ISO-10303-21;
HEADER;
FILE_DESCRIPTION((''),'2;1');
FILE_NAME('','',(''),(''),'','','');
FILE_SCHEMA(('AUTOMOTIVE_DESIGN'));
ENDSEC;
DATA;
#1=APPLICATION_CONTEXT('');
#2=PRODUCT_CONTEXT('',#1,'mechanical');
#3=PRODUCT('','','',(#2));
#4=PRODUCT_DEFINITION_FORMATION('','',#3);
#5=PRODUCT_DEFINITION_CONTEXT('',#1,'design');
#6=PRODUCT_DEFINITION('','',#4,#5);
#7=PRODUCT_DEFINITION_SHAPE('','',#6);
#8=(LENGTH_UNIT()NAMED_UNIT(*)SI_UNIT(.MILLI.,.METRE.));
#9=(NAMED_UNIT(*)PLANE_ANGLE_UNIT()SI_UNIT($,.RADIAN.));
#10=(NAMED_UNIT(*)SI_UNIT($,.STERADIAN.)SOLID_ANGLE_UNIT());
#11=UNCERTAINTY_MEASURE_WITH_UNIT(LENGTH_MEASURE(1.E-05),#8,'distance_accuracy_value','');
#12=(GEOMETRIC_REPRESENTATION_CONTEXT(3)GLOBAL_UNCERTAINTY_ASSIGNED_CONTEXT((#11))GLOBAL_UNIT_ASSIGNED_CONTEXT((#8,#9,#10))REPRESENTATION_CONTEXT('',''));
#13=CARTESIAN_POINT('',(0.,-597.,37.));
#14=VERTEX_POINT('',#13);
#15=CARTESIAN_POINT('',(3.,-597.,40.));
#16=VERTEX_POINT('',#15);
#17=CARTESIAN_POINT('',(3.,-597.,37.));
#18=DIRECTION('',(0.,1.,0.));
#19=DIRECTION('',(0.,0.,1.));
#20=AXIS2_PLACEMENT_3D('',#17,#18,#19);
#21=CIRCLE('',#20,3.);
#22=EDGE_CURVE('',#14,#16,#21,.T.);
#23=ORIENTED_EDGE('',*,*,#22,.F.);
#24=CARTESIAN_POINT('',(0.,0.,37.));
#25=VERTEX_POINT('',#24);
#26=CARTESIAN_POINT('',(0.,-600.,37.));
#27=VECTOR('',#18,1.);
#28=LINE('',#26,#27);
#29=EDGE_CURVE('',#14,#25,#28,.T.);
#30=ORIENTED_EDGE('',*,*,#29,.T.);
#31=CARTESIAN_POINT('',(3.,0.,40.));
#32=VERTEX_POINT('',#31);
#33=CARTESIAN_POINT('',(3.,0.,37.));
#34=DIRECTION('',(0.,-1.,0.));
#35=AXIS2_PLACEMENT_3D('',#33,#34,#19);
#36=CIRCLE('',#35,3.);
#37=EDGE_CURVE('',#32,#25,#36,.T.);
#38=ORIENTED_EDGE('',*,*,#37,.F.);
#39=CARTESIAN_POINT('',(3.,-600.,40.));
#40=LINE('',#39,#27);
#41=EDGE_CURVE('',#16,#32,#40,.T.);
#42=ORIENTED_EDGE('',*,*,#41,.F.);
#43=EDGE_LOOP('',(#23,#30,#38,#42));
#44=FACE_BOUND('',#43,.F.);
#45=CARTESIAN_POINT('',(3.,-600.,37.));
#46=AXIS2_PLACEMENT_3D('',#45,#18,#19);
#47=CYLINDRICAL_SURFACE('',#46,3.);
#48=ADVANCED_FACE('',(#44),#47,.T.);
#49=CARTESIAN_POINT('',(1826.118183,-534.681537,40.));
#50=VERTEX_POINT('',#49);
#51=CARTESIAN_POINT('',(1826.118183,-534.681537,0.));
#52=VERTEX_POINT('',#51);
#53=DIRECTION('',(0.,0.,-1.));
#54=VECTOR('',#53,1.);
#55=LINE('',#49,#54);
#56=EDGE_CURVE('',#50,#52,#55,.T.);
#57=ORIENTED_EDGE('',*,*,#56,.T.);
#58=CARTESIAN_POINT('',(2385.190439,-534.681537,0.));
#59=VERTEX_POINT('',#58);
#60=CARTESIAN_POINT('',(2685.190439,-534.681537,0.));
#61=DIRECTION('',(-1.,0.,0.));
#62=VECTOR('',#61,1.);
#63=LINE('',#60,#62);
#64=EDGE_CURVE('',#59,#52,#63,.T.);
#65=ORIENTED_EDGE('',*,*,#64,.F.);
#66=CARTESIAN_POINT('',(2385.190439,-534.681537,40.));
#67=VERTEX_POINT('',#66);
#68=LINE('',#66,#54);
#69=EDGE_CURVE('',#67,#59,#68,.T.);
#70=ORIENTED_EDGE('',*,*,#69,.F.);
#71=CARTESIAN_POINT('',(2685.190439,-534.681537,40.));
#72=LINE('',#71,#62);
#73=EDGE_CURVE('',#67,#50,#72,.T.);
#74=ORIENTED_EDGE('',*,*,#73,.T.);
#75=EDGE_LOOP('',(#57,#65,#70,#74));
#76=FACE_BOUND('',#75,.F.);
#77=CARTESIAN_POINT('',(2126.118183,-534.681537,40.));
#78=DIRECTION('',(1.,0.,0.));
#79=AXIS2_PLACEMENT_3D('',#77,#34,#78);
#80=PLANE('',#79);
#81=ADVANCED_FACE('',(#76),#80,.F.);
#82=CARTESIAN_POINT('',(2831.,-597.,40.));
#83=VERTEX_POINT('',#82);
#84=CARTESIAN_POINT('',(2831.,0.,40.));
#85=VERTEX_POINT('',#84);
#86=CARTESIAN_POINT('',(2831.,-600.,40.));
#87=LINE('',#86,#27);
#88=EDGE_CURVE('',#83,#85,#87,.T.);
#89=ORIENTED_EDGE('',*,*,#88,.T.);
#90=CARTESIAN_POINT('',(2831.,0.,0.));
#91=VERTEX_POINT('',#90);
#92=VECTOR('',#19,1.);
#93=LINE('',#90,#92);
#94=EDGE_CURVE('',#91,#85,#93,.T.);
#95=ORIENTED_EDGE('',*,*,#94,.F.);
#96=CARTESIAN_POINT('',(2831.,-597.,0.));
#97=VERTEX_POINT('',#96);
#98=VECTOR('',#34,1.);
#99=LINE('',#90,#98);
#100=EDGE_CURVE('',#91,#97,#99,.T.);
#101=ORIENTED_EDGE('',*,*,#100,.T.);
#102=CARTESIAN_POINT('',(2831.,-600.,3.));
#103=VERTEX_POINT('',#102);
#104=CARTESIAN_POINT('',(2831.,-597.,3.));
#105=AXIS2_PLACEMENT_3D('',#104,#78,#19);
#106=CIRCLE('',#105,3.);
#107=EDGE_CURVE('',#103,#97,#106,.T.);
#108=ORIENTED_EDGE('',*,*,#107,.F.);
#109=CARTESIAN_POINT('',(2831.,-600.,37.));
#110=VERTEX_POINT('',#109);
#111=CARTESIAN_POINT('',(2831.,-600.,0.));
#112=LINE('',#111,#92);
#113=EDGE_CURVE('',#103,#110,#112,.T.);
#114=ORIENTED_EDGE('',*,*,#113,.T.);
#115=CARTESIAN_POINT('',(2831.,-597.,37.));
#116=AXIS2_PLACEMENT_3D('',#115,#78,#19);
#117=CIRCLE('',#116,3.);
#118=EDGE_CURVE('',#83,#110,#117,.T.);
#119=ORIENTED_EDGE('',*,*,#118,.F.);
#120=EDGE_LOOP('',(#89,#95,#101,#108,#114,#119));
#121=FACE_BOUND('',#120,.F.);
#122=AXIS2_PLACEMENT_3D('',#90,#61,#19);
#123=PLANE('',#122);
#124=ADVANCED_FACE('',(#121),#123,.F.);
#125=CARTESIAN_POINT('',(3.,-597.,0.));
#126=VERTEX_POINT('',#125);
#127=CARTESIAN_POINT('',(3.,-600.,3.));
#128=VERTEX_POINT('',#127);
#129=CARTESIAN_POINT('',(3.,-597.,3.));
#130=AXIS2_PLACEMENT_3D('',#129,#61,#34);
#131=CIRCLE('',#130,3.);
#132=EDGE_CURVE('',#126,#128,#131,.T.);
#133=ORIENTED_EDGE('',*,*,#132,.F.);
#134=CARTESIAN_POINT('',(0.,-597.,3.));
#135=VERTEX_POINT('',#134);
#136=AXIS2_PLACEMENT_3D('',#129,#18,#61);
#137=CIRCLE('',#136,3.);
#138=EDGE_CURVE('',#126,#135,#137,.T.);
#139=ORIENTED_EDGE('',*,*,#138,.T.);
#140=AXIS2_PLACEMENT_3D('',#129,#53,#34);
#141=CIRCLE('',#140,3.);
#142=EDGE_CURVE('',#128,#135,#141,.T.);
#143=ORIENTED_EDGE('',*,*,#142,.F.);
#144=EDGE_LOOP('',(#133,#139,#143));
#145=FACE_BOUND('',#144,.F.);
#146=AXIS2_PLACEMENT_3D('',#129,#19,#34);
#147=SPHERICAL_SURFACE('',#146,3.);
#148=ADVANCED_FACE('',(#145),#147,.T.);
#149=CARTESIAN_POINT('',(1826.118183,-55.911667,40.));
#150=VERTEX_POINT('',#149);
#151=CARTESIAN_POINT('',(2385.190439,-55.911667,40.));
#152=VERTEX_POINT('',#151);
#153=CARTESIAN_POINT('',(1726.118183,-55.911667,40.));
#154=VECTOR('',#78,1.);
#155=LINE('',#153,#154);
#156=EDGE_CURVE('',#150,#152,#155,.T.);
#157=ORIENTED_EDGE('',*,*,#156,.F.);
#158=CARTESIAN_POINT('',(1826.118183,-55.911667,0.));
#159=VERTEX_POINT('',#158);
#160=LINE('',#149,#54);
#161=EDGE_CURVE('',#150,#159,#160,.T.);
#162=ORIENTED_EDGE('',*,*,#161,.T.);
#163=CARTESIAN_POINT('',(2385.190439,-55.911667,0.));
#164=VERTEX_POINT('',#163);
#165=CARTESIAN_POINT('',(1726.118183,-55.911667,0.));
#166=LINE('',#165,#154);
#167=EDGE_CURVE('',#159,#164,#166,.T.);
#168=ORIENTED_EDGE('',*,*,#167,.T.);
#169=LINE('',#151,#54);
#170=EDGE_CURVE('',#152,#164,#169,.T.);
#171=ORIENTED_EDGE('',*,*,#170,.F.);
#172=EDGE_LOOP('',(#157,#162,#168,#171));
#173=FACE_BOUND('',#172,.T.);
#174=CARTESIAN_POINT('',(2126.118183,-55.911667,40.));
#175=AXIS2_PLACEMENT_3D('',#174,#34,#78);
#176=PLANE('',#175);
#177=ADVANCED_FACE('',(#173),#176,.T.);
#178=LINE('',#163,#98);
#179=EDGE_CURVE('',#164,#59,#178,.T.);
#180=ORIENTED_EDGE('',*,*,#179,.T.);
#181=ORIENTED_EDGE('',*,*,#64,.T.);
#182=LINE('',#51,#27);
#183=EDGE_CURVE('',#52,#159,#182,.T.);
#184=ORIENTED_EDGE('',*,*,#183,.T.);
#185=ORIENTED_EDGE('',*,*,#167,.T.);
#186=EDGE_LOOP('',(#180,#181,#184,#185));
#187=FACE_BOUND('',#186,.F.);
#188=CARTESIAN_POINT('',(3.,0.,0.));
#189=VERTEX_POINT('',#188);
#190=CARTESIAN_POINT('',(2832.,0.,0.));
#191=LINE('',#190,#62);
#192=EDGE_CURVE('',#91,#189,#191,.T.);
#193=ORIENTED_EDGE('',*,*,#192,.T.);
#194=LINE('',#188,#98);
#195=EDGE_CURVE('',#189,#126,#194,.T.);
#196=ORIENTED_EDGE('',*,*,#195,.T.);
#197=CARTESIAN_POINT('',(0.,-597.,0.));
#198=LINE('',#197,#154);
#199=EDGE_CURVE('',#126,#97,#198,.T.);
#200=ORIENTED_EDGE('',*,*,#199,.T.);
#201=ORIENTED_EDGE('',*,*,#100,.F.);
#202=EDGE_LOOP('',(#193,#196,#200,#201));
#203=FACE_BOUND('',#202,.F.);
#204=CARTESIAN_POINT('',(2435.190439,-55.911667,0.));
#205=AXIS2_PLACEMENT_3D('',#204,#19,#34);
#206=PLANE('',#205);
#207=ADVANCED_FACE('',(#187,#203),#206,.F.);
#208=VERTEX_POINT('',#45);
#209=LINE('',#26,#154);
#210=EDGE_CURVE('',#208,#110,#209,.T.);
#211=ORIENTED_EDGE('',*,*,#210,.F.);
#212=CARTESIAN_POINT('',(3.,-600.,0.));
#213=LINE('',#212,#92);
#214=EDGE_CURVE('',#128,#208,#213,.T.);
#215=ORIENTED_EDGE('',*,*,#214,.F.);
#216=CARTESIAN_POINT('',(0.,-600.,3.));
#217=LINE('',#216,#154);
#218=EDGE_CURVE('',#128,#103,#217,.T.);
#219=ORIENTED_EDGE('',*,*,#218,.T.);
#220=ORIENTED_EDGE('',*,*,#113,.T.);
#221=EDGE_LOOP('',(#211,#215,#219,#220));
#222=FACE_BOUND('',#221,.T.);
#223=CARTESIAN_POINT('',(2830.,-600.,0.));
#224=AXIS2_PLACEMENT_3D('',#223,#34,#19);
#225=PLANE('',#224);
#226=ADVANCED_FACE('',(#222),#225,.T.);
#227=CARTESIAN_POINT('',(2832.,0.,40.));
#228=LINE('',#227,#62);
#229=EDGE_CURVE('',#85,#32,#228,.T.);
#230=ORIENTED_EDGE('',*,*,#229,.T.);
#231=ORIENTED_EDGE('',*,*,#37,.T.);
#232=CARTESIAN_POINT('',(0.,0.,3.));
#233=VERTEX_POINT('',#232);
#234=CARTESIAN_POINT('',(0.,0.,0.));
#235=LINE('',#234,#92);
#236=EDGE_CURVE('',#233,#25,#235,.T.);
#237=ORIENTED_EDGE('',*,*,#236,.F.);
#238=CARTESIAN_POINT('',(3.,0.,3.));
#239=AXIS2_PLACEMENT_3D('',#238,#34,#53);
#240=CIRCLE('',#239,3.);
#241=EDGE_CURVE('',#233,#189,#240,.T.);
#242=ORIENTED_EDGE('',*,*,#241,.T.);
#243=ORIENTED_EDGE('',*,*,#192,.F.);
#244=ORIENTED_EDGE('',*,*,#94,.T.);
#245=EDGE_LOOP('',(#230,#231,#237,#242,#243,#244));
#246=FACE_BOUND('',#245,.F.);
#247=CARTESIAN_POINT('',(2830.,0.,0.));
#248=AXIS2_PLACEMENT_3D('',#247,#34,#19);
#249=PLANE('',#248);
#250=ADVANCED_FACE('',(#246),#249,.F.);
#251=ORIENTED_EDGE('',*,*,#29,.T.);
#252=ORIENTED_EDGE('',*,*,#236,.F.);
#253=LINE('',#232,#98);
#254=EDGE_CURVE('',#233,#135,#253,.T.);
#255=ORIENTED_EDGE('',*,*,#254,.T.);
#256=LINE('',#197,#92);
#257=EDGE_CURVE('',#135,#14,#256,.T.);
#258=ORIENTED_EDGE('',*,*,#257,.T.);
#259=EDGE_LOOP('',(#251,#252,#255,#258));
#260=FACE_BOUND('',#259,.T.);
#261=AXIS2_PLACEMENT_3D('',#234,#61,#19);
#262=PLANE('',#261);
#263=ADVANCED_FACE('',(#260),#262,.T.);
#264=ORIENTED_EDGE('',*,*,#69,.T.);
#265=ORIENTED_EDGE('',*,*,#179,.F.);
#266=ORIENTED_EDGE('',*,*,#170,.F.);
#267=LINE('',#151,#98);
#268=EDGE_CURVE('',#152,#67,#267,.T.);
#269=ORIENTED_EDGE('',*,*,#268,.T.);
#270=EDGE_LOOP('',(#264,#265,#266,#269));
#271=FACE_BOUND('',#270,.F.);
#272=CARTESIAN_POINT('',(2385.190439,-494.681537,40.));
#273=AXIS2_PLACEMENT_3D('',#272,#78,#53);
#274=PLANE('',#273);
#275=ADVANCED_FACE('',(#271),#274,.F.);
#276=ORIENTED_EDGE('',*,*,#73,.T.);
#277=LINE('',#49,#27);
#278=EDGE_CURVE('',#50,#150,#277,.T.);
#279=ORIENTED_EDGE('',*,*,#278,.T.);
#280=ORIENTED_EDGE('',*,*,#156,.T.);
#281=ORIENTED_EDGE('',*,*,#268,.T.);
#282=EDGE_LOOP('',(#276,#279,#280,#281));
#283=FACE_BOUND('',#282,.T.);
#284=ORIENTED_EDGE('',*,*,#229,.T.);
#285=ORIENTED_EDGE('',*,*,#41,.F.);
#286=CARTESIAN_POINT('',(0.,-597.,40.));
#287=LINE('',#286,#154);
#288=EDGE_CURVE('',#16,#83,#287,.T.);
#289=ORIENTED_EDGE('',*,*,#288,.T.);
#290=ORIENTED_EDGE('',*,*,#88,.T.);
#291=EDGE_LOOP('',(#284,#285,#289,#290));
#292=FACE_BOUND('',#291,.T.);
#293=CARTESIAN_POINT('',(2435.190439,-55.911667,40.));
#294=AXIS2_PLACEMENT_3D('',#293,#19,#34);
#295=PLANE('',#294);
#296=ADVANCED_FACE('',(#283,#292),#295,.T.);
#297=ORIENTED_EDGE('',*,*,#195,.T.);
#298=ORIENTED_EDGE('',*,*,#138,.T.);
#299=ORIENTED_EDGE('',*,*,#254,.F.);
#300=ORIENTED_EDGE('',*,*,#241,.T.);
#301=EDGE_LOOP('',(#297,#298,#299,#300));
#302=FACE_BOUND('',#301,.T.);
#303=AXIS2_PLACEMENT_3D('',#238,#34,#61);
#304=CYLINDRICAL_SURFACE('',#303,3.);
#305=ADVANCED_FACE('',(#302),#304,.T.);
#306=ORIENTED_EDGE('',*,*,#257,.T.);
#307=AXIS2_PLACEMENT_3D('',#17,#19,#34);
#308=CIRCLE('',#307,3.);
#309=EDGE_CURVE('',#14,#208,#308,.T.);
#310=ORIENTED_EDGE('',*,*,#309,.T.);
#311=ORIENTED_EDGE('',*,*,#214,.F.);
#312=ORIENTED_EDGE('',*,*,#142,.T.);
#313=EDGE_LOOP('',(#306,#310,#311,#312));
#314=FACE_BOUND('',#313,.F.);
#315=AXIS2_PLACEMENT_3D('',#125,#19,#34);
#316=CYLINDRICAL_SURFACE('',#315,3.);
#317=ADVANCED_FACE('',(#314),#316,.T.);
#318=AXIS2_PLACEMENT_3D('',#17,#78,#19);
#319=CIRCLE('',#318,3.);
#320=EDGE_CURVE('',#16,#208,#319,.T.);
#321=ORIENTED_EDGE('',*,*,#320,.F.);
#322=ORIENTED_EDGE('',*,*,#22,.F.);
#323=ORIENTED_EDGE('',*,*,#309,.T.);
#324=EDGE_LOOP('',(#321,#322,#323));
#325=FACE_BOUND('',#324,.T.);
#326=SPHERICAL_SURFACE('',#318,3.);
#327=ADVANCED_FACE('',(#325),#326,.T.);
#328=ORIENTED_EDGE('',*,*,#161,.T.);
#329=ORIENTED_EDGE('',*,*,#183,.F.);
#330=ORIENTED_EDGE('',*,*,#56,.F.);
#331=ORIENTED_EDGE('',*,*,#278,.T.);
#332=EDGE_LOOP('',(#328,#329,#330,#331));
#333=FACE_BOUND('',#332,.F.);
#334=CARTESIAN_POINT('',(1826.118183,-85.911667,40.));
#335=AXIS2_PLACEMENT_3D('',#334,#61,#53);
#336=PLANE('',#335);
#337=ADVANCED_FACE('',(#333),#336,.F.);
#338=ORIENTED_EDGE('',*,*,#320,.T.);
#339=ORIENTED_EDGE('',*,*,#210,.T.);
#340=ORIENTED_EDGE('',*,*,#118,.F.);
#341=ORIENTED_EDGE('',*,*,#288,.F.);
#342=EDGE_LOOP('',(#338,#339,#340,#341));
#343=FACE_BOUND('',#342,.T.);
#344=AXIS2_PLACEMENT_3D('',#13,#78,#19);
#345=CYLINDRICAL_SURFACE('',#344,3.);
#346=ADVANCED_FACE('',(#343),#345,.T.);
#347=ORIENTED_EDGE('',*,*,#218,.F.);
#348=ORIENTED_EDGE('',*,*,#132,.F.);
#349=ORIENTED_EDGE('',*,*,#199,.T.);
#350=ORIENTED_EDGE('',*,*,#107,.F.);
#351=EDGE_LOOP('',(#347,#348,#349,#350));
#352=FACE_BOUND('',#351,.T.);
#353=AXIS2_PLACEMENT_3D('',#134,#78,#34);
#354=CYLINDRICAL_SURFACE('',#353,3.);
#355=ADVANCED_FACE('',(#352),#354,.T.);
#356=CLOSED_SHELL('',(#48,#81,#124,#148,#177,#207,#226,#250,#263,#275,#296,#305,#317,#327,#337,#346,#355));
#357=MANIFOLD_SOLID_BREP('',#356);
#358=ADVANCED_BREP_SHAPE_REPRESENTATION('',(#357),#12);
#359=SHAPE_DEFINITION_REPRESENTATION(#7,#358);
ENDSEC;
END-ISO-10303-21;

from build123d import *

# Parameters (mm, degrees)
F0_W      = 45.2956259251
F0_H      = 35.350099206
F1_DEPTH  = 40
F2_DEPTH  = 2900
F3_DEPTH  = 600
F4_DEPTH  = 2850
F5_DEPTH  = 50
F6_DEPTH  = 25
F7_DEPTH  = 10
F8_DEPTH  = 5
F9_DEPTH  = 2
F10_DEPTH = 1
F11_R     = 3
F12_W     = 559.0722560883
F12_H     = 383.7698698044
F13_DEPTH = 40
F14_DEPTH = 40
F15_DEPTH = 25
F16_DEPTH = 30
F17_DEPTH = 400
F18_DEPTH = 60
F19_DEPTH = 40
F20_DEPTH = 250
F21_DEPTH = 50


with BuildPart() as f1:
    # F0 (on Top) → F1 (new body)
    with BuildSketch(Plane.XY):
        with Locations((22.6478129625, -17.675049603)):
            Rectangle(F0_W, F0_H)
    extrude(amount=F1_DEPTH)

    # F2 (add): a face of the model
    f2_faces = [f1.faces().sort_by_distance(p)[0] for p in [
        (0, -17.675049603, 20),
    ]]
    extrude(f2_faces, amount=-F2_DEPTH)

    # F3 (add): a face of the model
    f3_faces = [f1.faces().sort_by_distance(p)[0] for p in [
        (1450, 0, 20),
    ]]
    extrude(f3_faces, amount=-F3_DEPTH)

    # F4 (add): a face of the model
    f4_faces = [f1.faces().sort_by_distance(p)[0] for p in [
        (0, -300, 20),
    ]]
    extrude(f4_faces, amount=-F4_DEPTH)

    # F5 (cut): a face of the model
    f5_faces = [f1.faces().sort_by_distance(p)[0] for p in [
        (2900, -300, 20),
    ]]
    extrude(f5_faces, amount=-F5_DEPTH, mode=Mode.SUBTRACT)

    # F6 (cut): a face of the model
    f6_faces = [f1.faces().sort_by_distance(p)[0] for p in [
        (2850, -300, 20),
    ]]
    extrude(f6_faces, amount=-F6_DEPTH, mode=Mode.SUBTRACT)

    # F7 (add): a face of the model
    f7_faces = [f1.faces().sort_by_distance(p)[0] for p in [
        (2825, -300, 20),
    ]]
    extrude(f7_faces, amount=F7_DEPTH)

    # F8 (cut): a face of the model
    f8_faces = [f1.faces().sort_by_distance(p)[0] for p in [
        (2835, -300, 20),
    ]]
    extrude(f8_faces, amount=-F8_DEPTH, mode=Mode.SUBTRACT)

    # F9 (add): a face of the model
    f9_faces = [f1.faces().sort_by_distance(p)[0] for p in [
        (2830, -300, 20),
    ]]
    extrude(f9_faces, amount=F9_DEPTH)

    # F10 (cut): a face of the model
    f10_faces = [f1.faces().sort_by_distance(p)[0] for p in [
        (2832, -300, 20),
    ]]
    extrude(f10_faces, amount=-F10_DEPTH, mode=Mode.SUBTRACT)

    # F11
    f11_edges = [f1.edges().sort_by_distance(p)[0] for p in [
        (1415.5, -600, 40),
        (0, -300, 40),
        (0, -600, 20),
        (1415.5, -600, 0),
        (0, -300, 0),
    ]]
    fillet(f11_edges, radius=F11_R)

    # F12 (on face) → F13 (cut)
    with BuildSketch(Plane.XY.offset(40)):
        with Locations((2405.6543111801, -302.7966022491)):
            Rectangle(F12_W, F12_H)
    extrude(amount=-F13_DEPTH, mode=Mode.SUBTRACT)

    # F14 (cut): a face of the model
    f14_faces = [f1.faces().sort_by_distance(p)[0] for p in [
        (2405.6543111801, -494.6815371513, 20),
    ]]
    extrude(f14_faces, amount=-F14_DEPTH, mode=Mode.SUBTRACT)

    # F15 (cut): a face of the model
    f15_faces = [f1.faces().sort_by_distance(p)[0] for p in [
        (2405.6543111801, -110.911667347, 20),
    ]]
    extrude(f15_faces, amount=-F15_DEPTH, mode=Mode.SUBTRACT)

    # F16 (cut): a face of the model
    f16_faces = [f1.faces().sort_by_distance(p)[0] for p in [
        (2405.6543111801, -85.911667347, 20),
    ]]
    extrude(f16_faces, amount=-F16_DEPTH, mode=Mode.SUBTRACT)

    # F17 (cut): a face of the model
    f17_faces = [f1.faces().sort_by_distance(p)[0] for p in [
        (2126.118183136, -295.2966022491, 20),
    ]]
    extrude(f17_faces, amount=-F17_DEPTH, mode=Mode.SUBTRACT)

    # F18 (add): a face of the model
    f18_faces = [f1.faces().sort_by_distance(p)[0] for p in [
        (1726.118183136, -295.2966022491, 20),
    ]]
    extrude(f18_faces, amount=F18_DEPTH)

    # F19 (add): a face of the model
    f19_faces = [f1.faces().sort_by_distance(p)[0] for p in [
        (1786.118183136, -295.2966022491, 20),
    ]]
    extrude(f19_faces, amount=F19_DEPTH)

    # F20 (add): a face of the model
    f20_faces = [f1.faces().sort_by_distance(p)[0] for p in [
        (2685.1904392242, -295.2966022491, 20),
    ]]
    extrude(f20_faces, amount=F20_DEPTH)

    # F21 (add): a face of the model
    f21_faces = [f1.faces().sort_by_distance(p)[0] for p in [
        (2435.1904392242, -295.2966022491, 20),
    ]]
    extrude(f21_faces, amount=F21_DEPTH)


solid = f1.part
